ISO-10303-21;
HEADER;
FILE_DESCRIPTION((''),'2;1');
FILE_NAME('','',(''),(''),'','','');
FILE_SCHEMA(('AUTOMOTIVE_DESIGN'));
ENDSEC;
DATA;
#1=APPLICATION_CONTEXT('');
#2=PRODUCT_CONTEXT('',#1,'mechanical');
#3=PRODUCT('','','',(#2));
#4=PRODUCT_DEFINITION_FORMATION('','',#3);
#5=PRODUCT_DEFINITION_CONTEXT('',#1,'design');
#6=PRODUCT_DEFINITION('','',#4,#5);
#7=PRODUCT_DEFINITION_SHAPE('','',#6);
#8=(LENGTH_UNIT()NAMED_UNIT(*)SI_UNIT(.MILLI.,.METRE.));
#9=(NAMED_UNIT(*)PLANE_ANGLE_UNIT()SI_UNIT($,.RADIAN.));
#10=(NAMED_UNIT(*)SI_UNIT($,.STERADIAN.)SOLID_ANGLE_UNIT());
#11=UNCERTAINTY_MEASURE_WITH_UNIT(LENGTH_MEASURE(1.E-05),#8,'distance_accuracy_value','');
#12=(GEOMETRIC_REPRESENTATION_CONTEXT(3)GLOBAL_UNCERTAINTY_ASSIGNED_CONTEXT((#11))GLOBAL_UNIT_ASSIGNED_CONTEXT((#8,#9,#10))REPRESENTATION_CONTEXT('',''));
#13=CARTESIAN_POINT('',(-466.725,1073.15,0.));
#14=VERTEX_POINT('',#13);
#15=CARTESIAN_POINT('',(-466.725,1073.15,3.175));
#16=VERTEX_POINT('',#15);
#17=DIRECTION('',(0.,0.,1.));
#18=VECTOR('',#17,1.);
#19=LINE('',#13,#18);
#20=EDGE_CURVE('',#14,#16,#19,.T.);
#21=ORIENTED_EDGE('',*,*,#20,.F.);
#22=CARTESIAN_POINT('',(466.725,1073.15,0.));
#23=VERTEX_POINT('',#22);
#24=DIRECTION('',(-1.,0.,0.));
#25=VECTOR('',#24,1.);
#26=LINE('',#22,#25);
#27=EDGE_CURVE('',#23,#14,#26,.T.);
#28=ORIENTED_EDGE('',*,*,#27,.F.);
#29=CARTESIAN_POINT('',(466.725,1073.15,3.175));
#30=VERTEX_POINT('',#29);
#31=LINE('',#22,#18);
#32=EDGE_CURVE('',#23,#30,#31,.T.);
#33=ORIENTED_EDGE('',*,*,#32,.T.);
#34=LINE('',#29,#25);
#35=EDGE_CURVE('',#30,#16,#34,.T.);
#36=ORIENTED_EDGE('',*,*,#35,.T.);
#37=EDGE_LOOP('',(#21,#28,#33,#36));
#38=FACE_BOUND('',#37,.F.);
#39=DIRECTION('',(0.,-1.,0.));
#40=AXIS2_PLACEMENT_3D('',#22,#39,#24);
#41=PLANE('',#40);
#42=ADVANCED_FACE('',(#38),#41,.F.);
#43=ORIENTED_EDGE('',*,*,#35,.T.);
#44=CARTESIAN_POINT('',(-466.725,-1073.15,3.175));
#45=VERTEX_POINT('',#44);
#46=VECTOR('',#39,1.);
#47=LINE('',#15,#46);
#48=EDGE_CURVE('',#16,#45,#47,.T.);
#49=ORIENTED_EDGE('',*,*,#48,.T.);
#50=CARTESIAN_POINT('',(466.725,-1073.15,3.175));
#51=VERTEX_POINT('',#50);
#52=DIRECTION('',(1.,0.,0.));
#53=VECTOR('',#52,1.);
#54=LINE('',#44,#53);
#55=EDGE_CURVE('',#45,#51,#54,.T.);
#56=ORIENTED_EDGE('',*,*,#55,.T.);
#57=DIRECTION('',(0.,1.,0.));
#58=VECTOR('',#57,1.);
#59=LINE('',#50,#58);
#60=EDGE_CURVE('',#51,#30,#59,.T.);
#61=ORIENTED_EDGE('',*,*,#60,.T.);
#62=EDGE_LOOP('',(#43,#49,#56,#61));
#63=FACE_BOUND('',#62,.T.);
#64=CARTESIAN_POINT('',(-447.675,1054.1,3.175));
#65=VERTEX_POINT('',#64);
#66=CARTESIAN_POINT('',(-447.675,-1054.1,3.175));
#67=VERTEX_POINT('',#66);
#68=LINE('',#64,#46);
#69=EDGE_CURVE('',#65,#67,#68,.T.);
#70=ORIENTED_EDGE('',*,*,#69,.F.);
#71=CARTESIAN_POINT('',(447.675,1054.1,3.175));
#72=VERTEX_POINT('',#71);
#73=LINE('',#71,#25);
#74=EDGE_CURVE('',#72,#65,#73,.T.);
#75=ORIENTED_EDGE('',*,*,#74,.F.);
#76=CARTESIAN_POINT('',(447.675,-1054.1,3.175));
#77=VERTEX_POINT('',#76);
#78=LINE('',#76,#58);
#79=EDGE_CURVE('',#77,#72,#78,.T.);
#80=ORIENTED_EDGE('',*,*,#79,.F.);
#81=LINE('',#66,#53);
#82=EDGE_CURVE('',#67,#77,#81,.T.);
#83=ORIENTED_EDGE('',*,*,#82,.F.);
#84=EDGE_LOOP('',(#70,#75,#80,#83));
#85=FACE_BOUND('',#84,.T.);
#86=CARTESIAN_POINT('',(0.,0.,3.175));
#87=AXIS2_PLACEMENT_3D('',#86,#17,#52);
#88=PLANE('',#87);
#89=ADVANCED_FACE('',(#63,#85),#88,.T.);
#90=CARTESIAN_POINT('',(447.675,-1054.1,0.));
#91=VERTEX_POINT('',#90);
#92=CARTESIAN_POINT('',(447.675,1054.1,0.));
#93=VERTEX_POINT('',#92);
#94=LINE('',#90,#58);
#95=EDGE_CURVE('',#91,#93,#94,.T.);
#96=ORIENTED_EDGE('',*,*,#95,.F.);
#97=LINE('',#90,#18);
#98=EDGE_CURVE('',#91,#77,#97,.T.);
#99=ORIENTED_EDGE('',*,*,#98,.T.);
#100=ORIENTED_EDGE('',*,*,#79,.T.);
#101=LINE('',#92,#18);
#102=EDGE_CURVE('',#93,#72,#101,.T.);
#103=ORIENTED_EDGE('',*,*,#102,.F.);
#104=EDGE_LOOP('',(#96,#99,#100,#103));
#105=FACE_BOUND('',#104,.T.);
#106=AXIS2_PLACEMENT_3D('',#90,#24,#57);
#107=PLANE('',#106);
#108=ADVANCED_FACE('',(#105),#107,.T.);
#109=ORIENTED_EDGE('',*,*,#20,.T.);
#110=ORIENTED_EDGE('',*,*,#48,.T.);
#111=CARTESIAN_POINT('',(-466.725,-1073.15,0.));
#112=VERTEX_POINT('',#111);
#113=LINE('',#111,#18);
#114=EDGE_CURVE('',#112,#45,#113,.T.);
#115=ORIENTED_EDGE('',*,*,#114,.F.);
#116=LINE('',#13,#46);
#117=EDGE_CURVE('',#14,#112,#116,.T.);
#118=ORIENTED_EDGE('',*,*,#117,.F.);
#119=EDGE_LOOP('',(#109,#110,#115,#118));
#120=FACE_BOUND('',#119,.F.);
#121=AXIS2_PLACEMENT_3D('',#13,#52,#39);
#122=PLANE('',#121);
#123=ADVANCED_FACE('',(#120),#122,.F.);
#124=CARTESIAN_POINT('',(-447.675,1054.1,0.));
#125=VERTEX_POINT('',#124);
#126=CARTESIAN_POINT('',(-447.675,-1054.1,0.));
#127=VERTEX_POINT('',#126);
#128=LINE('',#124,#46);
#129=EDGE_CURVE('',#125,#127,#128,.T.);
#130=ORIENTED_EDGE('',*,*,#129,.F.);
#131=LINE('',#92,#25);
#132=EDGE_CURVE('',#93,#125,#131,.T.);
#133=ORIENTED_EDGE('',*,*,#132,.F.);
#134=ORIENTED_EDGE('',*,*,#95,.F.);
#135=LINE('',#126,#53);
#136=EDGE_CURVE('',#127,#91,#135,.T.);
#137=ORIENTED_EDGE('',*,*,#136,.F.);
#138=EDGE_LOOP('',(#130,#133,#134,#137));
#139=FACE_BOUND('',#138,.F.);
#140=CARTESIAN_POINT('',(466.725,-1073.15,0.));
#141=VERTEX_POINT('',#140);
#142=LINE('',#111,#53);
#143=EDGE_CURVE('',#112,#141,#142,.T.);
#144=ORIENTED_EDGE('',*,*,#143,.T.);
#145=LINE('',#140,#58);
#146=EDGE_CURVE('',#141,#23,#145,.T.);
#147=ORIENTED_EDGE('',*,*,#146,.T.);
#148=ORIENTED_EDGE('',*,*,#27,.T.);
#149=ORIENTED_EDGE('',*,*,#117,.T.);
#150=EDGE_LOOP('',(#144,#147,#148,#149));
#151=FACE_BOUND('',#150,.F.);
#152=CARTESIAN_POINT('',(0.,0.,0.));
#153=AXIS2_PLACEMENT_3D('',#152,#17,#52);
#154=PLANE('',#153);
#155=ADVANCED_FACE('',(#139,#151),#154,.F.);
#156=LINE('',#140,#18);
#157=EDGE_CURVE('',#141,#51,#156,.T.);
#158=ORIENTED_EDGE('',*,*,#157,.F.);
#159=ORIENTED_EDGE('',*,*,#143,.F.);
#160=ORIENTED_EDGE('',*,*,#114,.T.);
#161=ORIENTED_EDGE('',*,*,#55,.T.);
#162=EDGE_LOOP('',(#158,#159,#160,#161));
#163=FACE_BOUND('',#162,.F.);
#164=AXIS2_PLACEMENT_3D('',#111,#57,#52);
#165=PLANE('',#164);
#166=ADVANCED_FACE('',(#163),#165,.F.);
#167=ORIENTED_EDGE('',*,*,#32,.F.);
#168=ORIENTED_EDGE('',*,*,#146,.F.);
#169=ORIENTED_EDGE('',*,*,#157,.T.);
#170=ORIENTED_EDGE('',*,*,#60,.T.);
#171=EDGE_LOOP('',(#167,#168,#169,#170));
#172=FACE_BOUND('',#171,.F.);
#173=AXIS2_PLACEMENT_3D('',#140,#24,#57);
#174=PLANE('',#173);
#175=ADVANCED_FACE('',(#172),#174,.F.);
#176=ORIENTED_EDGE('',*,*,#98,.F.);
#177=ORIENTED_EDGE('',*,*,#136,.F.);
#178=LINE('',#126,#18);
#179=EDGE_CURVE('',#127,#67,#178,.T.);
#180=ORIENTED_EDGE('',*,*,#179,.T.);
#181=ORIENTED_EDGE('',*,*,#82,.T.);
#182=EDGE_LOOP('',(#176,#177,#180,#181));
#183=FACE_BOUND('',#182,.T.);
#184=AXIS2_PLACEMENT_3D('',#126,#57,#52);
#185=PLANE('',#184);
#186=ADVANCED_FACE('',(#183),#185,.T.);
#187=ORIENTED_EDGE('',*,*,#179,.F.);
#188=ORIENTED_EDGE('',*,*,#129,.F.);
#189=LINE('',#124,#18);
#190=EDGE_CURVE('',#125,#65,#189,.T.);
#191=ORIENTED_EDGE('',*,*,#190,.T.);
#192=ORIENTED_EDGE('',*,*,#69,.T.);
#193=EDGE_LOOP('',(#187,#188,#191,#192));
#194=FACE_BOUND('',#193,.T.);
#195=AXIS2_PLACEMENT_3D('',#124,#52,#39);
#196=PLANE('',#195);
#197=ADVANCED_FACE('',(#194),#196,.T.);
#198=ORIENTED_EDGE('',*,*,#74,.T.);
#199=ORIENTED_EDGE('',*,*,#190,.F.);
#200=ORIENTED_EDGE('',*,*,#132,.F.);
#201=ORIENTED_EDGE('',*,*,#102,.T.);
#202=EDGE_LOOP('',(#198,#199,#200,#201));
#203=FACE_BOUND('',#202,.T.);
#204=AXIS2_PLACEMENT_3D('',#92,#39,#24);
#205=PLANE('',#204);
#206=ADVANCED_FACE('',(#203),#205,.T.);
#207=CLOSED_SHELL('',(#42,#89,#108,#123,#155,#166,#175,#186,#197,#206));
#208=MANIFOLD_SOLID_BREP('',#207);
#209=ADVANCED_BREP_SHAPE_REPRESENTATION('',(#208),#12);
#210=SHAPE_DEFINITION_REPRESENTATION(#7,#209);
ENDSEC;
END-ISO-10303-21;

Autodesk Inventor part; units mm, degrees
ref_plane "YZ Plane" through (0, 0, 0) normal (1, 0, 0) x (0, 1, 0)
ref_plane "XZ Plane" through (0, 0, 0) normal (0, 1, 0) x (-1, 0, 0)
ref_plane "XY Plane" through (0, 0, 0) normal (0, 0, 1) x (1, 0, 0)
sketch "Sketch1" plane through (0, 0, 0) normal (0, 0, 1) x (1, 0, 0)
  line L0 (-447.675, -1054.1) -> (447.675, -1054.1)
  line L1 (447.675, -1054.1) -> (447.675, 1054.1)
  line L2 (447.675, 1054.1) -> (-447.675, 1054.1)
  line L3 (-447.675, 1054.1) -> (-447.675, -1054.1)
  line L4 (-447.675, -1054.1) -> (447.675, 1054.1) construction
  line L5 (447.675, -1054.1) -> (-447.675, 1054.1) construction
  line L6 (-466.725, -1073.15) -> (466.725, -1073.15)
  line L7 (466.725, -1073.15) -> (466.725, 1073.15)
  line L8 (466.725, 1073.15) -> (-466.725, 1073.15)
  line L9 (-466.725, 1073.15) -> (-466.725, -1073.15)
  line L10 (-466.725, -1073.15) -> (466.725, 1073.15) construction
  line L11 (466.725, -1073.15) -> (-466.725, 1073.15) construction
  point P0 (0, 0)
  dimension "d0" = 895.35
  dimension "d1" = 2108.2
  dimension "d2" = 19.05
  dimension "d3" = 19.05
extrude "Extrusion1" add sketch "Sketch1" along normal blind 3.175
equation "\"d0\" = doorWidth"
equation "\"d1\" = doorHeight"
equation "\"wallThick\" = 44.45"
equation "\"roomWidth\" = 3048"
equation "\"roomDepth\" = 3657.6"
equation "\"roomHeight\" = 2438.4"
equation "\"doorWidth\" = 895.35"
equation "\"doorHeight\" = 2108.2"
equation "\"doorX\" = 774.7"
equation "\"doorY\" = 88.9"
equation "\"doorLip\" = 76.2"
equation "\"doorThick\" = 57.15"
equation "\"tubeD\" = 19.05"
equation "\"tubeTurnR\" = 76.2"
properties part number "door_rim"
